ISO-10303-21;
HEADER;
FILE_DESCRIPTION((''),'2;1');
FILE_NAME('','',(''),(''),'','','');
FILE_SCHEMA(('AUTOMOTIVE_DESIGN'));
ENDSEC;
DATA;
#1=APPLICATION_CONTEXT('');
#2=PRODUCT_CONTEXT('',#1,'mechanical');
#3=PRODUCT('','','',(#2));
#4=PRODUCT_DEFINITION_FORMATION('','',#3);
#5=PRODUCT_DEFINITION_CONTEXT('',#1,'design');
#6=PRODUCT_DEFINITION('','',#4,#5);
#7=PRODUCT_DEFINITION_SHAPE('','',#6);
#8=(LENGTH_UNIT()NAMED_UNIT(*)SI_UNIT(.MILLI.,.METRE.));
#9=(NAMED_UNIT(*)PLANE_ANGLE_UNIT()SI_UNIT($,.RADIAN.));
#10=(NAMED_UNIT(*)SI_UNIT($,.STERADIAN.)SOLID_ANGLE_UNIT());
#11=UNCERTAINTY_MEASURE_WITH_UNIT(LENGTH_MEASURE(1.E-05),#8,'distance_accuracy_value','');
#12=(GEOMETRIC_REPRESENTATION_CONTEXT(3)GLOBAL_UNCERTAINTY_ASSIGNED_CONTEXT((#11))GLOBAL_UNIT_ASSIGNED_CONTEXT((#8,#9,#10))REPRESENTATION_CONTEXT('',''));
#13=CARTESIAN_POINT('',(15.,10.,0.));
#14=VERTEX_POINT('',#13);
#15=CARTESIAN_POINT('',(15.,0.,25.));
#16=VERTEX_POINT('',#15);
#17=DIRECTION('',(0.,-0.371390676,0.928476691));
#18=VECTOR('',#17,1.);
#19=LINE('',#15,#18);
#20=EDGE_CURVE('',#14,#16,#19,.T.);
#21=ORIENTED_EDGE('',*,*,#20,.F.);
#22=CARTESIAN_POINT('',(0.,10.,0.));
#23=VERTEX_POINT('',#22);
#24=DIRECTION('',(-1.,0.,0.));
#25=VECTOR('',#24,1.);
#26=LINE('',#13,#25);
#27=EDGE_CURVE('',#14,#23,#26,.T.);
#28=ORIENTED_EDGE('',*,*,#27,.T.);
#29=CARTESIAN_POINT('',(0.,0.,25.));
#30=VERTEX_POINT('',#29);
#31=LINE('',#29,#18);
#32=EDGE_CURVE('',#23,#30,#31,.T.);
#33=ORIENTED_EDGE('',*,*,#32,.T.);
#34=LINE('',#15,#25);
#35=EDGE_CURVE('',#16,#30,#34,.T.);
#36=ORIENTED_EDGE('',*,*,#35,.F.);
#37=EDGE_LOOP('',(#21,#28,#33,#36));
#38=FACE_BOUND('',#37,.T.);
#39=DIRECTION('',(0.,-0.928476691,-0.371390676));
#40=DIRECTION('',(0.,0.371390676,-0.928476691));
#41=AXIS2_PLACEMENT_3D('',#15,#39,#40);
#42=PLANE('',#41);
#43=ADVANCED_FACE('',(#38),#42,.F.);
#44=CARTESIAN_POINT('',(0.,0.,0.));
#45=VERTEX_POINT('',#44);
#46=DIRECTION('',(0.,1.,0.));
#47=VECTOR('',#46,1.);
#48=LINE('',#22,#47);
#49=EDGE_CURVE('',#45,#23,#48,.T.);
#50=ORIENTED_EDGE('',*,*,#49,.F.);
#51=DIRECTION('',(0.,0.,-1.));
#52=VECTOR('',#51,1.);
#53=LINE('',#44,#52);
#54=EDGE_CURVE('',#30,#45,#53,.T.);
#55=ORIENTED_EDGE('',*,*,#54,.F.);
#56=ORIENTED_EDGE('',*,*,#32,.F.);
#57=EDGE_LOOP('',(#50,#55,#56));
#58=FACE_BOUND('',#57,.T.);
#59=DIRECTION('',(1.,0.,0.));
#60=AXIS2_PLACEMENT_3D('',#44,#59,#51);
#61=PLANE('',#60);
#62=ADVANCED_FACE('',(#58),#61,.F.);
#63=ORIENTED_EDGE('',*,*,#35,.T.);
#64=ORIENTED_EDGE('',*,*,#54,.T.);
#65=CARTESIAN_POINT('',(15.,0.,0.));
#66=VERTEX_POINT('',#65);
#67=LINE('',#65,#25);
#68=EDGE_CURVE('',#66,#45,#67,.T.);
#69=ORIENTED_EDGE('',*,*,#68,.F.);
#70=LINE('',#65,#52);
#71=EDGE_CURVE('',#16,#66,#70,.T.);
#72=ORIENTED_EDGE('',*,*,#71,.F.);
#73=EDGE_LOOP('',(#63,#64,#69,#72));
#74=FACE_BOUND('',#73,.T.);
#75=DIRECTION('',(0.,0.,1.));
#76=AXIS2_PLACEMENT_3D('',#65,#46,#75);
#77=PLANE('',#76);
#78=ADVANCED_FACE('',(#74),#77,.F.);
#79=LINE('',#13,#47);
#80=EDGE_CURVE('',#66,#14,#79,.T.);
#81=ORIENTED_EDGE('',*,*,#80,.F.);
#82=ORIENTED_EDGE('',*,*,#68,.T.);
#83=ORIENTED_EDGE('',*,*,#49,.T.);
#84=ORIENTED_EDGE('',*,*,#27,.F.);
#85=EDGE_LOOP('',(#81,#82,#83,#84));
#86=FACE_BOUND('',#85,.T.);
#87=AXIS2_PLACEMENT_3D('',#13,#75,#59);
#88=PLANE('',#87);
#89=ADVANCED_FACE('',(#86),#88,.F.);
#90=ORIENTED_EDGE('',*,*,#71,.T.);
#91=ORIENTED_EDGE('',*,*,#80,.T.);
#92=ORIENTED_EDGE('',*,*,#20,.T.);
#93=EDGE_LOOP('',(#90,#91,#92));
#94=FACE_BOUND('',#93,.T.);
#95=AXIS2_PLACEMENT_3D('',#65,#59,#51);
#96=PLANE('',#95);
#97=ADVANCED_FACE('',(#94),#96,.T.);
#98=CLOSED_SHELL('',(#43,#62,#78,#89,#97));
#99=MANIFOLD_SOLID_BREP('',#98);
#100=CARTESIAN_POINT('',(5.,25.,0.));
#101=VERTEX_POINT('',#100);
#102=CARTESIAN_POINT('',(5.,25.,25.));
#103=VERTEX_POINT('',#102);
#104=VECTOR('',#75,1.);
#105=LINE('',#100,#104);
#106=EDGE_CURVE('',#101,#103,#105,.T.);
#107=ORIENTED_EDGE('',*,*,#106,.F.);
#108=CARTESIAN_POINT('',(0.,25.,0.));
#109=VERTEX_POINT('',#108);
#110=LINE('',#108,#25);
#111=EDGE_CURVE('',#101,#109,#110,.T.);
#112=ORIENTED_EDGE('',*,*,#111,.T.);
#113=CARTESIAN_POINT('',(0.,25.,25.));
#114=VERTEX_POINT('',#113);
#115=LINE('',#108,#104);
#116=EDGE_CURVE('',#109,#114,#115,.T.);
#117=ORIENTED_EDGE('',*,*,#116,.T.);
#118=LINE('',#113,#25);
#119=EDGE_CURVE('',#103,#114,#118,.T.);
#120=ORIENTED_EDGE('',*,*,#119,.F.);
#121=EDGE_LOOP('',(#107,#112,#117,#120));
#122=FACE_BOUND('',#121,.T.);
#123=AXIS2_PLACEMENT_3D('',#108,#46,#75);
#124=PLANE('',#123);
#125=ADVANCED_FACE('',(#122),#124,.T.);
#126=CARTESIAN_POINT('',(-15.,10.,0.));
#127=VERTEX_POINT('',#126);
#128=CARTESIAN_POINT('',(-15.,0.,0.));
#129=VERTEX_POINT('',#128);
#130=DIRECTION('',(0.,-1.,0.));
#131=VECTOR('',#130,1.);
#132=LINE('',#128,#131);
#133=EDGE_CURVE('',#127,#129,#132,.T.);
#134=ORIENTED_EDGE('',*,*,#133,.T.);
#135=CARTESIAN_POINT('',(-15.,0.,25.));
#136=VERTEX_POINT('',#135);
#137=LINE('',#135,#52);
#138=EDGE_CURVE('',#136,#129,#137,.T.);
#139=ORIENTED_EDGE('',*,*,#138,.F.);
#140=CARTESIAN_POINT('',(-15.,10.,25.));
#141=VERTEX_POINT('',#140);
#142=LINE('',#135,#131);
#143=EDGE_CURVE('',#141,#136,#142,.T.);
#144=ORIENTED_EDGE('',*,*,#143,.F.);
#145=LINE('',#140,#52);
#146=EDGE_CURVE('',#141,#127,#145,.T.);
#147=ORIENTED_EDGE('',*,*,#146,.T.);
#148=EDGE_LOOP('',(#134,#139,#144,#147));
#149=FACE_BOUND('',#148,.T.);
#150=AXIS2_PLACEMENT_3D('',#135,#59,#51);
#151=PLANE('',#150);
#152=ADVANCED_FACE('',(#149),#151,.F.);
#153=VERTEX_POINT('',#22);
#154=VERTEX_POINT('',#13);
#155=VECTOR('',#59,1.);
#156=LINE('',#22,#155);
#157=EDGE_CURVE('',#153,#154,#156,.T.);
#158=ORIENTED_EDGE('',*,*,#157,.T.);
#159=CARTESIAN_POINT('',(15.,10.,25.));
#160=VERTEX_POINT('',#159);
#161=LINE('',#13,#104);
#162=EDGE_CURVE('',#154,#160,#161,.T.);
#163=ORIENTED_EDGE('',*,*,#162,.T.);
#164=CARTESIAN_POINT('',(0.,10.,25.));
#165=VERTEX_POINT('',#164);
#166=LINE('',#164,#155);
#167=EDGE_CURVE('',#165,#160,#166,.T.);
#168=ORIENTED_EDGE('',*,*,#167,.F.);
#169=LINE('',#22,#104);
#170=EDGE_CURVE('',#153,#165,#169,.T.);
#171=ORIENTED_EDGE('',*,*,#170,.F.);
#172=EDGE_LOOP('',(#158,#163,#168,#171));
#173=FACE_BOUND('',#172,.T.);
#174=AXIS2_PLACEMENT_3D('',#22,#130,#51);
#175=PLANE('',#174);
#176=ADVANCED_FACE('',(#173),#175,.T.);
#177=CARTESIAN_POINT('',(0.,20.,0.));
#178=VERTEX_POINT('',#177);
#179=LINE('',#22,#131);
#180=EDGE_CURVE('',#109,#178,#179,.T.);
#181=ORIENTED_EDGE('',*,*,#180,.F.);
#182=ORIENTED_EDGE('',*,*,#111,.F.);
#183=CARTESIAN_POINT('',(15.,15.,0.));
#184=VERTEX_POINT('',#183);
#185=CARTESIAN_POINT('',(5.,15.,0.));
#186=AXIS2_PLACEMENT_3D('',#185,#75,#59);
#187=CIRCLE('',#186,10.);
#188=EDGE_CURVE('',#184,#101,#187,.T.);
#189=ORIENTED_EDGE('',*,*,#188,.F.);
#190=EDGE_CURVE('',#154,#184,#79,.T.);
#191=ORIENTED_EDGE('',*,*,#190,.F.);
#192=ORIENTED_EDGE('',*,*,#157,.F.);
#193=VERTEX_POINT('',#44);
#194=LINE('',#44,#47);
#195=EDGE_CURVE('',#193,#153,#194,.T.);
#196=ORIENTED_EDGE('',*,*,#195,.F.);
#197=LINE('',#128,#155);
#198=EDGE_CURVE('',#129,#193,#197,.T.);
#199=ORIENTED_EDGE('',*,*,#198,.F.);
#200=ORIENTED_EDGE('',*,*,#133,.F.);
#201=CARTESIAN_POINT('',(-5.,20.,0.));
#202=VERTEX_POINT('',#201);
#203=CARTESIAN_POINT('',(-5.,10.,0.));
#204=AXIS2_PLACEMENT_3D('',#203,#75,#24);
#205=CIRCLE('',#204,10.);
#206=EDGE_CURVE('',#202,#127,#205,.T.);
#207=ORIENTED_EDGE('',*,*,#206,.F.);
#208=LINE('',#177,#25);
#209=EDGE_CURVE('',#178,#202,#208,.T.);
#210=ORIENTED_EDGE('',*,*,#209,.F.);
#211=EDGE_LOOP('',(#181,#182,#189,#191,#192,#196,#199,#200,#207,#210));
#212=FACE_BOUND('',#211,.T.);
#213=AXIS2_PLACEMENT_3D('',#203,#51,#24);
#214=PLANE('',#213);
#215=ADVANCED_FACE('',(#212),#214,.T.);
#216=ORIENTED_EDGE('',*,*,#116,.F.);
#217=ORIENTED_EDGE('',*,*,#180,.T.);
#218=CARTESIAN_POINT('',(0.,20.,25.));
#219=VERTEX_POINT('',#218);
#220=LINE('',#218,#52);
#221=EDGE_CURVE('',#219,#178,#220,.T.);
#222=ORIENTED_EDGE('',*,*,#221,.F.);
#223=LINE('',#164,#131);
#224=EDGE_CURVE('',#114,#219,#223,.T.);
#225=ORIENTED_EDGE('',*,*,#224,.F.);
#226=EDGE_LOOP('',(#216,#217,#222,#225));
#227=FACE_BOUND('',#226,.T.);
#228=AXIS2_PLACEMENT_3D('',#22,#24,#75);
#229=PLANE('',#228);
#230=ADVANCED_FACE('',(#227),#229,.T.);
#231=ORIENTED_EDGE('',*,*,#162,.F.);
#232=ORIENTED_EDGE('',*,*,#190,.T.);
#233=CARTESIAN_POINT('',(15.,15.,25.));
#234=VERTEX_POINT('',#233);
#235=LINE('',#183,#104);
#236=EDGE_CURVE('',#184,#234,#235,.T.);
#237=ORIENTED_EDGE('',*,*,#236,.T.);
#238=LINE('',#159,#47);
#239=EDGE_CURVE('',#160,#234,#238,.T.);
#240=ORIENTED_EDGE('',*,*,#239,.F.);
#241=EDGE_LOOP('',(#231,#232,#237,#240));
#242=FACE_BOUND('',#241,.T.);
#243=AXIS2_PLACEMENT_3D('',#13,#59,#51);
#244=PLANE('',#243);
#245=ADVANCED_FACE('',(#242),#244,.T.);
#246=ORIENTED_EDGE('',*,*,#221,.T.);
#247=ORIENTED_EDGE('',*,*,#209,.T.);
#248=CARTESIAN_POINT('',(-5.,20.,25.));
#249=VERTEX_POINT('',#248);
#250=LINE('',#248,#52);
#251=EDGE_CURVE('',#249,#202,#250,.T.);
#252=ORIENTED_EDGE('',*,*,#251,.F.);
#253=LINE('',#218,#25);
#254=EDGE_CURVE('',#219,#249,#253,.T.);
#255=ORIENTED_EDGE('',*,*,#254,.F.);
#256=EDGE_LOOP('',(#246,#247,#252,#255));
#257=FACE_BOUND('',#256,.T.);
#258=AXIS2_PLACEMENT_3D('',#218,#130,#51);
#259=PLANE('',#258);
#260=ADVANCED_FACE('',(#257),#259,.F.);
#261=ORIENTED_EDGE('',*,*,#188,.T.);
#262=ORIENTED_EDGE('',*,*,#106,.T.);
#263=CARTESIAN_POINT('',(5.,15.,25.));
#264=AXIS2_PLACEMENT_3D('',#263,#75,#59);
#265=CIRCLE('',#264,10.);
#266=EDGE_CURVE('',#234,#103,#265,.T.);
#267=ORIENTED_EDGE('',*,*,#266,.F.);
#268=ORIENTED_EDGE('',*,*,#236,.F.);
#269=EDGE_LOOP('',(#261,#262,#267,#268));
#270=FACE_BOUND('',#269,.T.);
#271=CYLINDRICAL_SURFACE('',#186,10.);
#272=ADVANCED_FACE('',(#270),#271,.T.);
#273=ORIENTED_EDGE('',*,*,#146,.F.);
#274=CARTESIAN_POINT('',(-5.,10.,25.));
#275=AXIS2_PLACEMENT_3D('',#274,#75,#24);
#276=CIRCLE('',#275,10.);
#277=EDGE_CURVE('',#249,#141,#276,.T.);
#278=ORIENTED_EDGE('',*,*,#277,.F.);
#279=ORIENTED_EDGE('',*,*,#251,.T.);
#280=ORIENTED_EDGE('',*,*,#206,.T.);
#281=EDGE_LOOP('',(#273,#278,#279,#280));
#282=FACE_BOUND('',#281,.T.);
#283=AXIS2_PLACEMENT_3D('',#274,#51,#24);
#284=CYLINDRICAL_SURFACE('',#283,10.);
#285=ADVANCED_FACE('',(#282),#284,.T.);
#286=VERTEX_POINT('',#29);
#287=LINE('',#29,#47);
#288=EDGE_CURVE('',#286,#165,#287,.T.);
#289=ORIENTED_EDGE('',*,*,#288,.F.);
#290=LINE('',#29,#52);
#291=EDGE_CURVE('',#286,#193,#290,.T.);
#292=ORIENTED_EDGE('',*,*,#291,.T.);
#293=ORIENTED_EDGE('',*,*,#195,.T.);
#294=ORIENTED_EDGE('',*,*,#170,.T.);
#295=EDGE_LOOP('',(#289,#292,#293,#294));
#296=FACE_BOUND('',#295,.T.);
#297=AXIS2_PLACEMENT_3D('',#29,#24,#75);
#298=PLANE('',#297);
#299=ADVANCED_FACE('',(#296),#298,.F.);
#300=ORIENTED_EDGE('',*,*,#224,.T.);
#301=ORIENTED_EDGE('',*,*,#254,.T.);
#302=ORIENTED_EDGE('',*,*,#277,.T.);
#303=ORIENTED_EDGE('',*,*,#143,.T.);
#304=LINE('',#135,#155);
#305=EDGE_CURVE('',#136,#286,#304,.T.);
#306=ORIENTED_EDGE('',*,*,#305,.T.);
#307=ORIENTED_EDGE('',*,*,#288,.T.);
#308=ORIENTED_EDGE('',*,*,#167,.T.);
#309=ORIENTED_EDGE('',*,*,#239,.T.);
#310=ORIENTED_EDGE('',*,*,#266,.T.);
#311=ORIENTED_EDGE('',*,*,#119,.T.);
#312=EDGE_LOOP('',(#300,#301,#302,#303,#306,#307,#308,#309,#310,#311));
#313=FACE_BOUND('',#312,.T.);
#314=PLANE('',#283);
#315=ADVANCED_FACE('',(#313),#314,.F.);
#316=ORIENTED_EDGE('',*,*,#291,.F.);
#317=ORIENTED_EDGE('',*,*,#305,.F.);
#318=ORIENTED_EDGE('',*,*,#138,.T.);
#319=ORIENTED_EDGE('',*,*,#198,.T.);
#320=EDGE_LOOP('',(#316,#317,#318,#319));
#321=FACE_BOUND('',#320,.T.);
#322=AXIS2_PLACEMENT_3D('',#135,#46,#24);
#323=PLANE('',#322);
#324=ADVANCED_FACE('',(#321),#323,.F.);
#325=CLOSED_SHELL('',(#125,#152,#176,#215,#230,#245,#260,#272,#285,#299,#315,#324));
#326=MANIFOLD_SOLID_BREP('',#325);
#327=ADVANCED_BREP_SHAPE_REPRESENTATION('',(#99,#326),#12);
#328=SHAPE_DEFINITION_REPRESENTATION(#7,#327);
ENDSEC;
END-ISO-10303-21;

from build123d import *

# Parameters (mm, degrees)
BOSS_EXTRUDE1_DEPTH = 25
BOSS_EXTRUDE3_DEPTH = 25
BOSS_EXTRUDE5_DEPTH = 15


with BuildPart() as part:
    # Sketch1 → Boss-Extrude1 (new body)
    with BuildSketch(Plane.XY):
        with BuildLine():
            Line((-15, 0), (0, 0))
            Line((0, 0), (0, 20))
            Line((0, 20), (-5, 20))
            ThreePointArc((-5, 20), (-12.071067812, 17.071067812), (-15, 10))
            Line((-15, 10), (-15, 0))
        make_face()
    extrude(amount=BOSS_EXTRUDE1_DEPTH)

    # Sketch2 → Boss-Extrude3 (add)
    with BuildSketch(Plane.XY.offset(25)):
        with BuildLine():
            Line((0, 10), (0, 25))
            Line((0, 25), (5, 25))
            ThreePointArc((5, 25), (12.071067812, 22.071067812), (15, 15))
            Line((15, 15), (15, 10))
            Line((15, 10), (0, 10))
        make_face()
    extrude(amount=-BOSS_EXTRUDE3_DEPTH)


with BuildPart() as body_2:
    # Sketch3 → Boss-Extrude5 (new body)
    with BuildSketch(Plane(origin=(0, 0, 0), x_dir=(0, 0, -1), z_dir=(1, 0, 0))):
        Polygon((-25, 0), (0, 10), (0, 0), align=None)
    extrude(amount=BOSS_EXTRUDE5_DEPTH)


solid = Compound([part.part, body_2.part])
